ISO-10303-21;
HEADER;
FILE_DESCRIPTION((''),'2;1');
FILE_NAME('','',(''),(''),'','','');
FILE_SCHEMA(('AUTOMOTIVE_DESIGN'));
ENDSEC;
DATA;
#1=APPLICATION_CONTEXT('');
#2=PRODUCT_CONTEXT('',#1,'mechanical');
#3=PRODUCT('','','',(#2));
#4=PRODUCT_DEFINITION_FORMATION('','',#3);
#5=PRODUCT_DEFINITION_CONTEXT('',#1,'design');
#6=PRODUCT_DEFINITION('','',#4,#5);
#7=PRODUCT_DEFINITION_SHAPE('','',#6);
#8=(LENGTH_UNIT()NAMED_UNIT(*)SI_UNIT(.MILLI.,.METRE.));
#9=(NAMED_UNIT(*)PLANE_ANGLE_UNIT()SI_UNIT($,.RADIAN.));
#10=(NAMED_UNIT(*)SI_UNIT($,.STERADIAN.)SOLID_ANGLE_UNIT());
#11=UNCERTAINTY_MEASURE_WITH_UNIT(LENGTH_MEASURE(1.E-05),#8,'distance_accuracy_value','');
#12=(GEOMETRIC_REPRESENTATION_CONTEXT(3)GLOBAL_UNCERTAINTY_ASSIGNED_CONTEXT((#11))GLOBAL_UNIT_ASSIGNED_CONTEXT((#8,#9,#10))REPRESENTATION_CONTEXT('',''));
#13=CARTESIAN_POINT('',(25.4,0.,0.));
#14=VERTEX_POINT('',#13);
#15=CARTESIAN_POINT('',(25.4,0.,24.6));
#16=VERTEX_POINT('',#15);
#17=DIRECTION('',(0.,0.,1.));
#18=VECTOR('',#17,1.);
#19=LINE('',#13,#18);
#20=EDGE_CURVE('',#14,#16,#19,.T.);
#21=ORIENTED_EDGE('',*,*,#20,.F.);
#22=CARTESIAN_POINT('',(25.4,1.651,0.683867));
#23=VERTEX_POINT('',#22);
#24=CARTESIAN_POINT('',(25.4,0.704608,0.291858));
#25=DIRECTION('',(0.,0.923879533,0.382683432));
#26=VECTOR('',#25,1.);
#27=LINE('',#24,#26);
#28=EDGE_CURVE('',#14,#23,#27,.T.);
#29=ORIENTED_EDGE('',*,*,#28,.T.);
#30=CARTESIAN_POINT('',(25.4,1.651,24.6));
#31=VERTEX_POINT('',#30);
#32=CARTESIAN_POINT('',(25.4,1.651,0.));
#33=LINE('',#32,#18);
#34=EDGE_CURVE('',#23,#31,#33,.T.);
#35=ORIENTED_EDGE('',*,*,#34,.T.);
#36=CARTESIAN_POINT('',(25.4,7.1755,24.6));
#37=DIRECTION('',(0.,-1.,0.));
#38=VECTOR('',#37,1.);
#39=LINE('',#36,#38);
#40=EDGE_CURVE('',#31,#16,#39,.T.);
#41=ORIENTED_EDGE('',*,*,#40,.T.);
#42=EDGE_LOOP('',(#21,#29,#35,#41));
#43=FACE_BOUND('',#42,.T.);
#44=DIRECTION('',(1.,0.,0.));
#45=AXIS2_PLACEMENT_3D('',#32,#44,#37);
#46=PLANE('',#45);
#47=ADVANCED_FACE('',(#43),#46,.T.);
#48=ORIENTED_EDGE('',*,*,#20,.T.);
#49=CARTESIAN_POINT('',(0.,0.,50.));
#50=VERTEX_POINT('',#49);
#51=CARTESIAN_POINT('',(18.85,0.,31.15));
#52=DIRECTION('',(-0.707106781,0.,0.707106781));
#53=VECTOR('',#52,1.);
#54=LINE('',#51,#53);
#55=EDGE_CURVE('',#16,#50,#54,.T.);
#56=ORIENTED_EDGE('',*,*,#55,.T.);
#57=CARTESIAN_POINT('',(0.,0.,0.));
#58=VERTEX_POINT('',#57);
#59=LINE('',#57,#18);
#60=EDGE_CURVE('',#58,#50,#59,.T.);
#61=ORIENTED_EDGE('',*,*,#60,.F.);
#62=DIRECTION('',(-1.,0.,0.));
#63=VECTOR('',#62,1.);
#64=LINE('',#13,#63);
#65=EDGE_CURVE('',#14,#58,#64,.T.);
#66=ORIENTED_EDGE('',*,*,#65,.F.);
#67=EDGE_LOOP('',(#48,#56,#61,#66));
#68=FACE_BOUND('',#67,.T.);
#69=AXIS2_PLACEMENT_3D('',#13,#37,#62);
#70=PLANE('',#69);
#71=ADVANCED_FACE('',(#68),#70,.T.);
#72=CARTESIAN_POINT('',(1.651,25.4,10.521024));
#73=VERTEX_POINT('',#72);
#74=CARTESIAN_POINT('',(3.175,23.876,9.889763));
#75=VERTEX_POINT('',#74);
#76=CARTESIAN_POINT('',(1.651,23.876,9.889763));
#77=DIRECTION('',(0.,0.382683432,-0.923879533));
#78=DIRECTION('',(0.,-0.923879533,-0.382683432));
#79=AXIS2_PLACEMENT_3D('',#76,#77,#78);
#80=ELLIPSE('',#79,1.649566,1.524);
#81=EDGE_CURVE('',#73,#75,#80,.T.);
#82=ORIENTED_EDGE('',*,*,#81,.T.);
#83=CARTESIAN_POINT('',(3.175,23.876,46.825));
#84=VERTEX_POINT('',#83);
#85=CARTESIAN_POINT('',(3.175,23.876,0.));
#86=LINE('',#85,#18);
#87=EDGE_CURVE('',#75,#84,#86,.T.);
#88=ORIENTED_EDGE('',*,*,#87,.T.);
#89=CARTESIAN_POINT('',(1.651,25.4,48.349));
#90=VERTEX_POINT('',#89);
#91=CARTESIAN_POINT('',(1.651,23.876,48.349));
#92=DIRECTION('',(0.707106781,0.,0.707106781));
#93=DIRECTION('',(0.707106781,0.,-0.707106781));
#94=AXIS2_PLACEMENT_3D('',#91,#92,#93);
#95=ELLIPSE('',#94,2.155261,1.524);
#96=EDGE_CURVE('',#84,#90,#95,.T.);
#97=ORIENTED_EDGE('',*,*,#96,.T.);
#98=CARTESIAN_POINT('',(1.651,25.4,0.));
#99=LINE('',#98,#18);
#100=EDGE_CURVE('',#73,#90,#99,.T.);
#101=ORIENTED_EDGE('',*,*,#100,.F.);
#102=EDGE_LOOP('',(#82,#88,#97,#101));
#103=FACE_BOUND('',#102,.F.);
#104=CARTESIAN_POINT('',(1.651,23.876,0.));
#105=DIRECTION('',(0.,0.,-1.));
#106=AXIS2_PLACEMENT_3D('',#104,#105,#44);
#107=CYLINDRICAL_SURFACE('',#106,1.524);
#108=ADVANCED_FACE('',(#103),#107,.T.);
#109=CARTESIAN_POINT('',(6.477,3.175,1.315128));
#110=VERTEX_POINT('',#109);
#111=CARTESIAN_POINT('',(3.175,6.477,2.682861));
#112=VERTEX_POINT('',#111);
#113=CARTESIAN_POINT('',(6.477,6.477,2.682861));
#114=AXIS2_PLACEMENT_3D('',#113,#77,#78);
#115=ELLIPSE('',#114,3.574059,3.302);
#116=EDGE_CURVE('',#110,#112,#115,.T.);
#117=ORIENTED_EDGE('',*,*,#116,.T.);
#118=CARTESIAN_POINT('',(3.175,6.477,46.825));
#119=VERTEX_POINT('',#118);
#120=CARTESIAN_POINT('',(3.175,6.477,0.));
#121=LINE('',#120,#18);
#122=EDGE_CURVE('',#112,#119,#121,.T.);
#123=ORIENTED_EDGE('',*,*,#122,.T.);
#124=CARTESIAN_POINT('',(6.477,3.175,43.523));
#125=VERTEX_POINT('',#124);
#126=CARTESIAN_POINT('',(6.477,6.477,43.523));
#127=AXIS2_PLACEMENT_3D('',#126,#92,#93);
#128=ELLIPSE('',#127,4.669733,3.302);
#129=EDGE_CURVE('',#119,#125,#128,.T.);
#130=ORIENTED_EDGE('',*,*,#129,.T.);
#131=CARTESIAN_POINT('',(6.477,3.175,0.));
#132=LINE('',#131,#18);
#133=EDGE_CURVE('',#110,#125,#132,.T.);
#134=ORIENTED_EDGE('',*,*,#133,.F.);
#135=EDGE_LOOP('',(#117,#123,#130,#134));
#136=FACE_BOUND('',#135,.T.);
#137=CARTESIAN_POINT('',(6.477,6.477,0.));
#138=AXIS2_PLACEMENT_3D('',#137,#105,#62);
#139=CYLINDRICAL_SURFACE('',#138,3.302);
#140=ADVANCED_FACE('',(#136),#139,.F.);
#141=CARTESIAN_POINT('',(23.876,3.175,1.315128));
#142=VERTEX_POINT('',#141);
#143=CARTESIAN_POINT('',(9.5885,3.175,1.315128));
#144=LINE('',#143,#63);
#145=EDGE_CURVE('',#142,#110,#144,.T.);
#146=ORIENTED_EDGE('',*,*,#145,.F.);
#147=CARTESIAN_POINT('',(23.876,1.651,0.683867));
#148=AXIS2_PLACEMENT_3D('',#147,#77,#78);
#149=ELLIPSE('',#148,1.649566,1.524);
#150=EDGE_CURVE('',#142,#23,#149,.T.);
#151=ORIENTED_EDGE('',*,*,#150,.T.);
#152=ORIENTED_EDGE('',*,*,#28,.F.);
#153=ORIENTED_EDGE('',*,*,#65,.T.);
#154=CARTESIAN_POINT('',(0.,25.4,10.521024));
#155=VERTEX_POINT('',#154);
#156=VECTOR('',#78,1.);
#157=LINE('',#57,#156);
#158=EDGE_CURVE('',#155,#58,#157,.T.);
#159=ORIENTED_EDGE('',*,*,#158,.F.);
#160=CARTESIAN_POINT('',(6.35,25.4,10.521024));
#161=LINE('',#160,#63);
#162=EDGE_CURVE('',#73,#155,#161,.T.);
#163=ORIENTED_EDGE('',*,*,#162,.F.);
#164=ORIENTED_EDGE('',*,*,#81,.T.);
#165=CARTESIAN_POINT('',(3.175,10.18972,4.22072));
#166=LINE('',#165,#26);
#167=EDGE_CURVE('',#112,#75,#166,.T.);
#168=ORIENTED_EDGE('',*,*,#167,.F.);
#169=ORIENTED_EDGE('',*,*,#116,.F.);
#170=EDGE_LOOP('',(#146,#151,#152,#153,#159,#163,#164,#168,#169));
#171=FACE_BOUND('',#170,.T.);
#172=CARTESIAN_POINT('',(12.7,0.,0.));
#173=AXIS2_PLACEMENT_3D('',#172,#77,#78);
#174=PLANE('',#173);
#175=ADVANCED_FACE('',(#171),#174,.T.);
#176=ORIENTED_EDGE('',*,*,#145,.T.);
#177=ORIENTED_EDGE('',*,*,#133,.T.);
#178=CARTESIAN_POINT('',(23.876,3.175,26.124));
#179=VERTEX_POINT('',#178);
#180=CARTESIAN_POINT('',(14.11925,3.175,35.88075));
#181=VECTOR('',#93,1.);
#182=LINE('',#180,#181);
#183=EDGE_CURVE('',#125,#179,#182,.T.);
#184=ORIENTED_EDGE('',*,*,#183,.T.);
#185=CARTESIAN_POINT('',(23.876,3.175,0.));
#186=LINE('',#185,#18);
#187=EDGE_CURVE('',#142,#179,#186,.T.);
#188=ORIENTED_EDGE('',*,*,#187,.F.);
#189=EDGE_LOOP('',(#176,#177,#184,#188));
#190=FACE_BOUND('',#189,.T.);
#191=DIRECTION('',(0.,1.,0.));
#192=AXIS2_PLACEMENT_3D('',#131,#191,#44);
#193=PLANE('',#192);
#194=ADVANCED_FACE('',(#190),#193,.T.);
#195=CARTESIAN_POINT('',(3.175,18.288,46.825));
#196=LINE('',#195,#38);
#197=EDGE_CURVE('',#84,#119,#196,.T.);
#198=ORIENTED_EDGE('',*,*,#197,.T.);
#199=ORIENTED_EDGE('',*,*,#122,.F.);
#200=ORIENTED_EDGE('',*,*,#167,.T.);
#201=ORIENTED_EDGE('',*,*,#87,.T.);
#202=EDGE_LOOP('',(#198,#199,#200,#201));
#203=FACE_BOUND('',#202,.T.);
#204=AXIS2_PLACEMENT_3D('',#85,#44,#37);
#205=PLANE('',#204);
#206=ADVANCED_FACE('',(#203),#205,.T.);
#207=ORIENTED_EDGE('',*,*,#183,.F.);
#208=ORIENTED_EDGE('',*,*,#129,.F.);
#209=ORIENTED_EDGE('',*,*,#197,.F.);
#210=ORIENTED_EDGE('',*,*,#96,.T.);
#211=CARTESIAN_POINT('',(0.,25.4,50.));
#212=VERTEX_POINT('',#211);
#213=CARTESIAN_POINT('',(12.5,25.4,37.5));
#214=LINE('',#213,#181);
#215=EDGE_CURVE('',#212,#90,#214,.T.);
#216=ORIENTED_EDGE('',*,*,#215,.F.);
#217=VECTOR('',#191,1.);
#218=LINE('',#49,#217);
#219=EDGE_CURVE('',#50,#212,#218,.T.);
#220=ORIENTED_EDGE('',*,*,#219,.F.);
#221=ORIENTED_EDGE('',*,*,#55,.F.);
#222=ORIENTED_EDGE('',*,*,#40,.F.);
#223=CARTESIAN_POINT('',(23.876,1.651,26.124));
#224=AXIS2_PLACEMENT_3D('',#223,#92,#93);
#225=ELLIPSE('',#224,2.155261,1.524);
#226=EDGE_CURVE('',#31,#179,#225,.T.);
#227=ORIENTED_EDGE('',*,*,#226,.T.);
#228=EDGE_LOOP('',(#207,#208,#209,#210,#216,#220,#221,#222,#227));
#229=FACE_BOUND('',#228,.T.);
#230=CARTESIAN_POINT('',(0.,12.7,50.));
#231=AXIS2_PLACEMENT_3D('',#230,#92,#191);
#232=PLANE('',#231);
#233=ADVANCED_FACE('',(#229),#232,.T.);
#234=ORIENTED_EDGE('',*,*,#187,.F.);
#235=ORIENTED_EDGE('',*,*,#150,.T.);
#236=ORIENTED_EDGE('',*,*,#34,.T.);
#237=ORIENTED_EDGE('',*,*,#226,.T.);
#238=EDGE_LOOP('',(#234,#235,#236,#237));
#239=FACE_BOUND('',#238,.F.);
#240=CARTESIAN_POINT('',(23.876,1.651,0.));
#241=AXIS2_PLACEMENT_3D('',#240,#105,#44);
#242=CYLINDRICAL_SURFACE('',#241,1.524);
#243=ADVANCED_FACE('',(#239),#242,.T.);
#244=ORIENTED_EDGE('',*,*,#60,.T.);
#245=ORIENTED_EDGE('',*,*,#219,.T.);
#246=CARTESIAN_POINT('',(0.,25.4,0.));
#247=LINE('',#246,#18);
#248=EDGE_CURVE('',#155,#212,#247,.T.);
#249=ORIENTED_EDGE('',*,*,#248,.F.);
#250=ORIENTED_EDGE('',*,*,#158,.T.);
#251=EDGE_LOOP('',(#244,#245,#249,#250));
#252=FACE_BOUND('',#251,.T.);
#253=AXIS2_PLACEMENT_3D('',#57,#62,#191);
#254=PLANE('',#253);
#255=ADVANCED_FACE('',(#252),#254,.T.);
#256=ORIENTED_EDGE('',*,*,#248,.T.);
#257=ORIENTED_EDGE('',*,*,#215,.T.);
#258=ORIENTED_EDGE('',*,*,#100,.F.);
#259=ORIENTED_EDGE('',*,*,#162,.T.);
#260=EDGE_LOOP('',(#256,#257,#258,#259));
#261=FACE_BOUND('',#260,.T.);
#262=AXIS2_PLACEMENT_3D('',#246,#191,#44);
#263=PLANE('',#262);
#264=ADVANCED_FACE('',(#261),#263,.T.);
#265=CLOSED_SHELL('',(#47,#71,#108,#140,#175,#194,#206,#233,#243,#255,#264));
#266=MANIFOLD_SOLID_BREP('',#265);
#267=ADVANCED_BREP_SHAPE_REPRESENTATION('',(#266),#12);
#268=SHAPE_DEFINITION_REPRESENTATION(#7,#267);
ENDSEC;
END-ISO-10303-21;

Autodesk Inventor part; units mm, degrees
ref_plane "Start Plane" through (0, 0, 0) normal (0, 0, 1) x (1, 0, 0)
ref_plane "End Plane" through (0, 0, 50) normal (0, 0, 1) x (1, 0, 0)
sketch "Sketch" plane through (0, 0, 0) normal (0, 0, 1) x (1, 0, 0)
  line L0 (25.4, 0) -> (0, 0)
  line L1 (0, 0) -> (0, 25.4)
  line L2 (0, 25.4) -> (1.651, 25.4)
  line L3 (3.175, 23.876) -> (3.175, 6.477)
  line L4 (6.477, 3.175) -> (23.876, 3.175)
  line L5 (25.4, 1.651) -> (25.4, 0)
  line L6 (0, -11.0414) -> (0, 31.5385) construction
  line L7 (-11.0414, 0) -> (31.5385, 0) construction
  arc A0 (3.175, 6.477) -> (6.477, 3.175) centre (6.477, 6.477) ccw
  arc A1 (3.175, 23.876) -> (1.651, 25.4) centre (1.651, 23.876) ccw
  arc A2 (25.4, 1.651) -> (23.876, 3.175) centre (23.876, 1.651) ccw
  line L8 (0, 40.0545) -> (0, -19.5574) construction
  line L9 (-19.5574, 0) -> (40.0545, 0) construction
  point P0 (3.175, 25.4)
  point P1 (3.175, 3.175)
  point P2 (25.4, 3.175)
  dimension "d0" = 25.4
  dimension "d1" = 25.4
  dimension "d2" = 3.175
  dimension "d3" = 3.175
  dimension "d10" = 0
  dimension "d11" = 0
  dimension "d14" = 3.302
  dimension "d15" = 1.524
extrude "Body" add sketch "Sketch" along normal up to surface (50 mm away) from surface at 0
sketch "Sketch3" plane through (0, 0, 0) normal (0, 0, 1) x (1, 0, 0)
  line L0 (0, 0) -> (10, 0)
ref_plane "Work Plane3" through (0, 0, 0) normal (0, -1, 0) x (1, 0, 0)
ref_plane "Work Plane4" through (0, 12.7, 50) normal (0.7071, 0, 0.7071) x (0.7071, 0, -0.7071)
split "Split1" plane through (0, 12.7, 50) removes the side toward (0.7071, 0, 0.7071)
ref_plane "Work Plane5" through (12.7, 0, 0) normal (0, 0.3827, -0.9239) x (1, 0, 0)
split "Split2" plane through (12.7, 0, 0) removes the side toward (0, 0.3827, -0.9239)
sketch "Sketch4" plane through (0, 0, 0) normal (0, -1, 0) x (1, 0, 0)
  line L0 (-2, 0) -> (12, 0) projected
  line L1 (-2, 50) -> (12, 50) projected
  dimension "d17" = 50
equation "\"d0\" = G_H"
equation "\"d1\" = G_H"
equation "\"d2\" = G_T"
equation "\"d3\" = G_T"
equation "\"d14\" = G_IR"
equation "\"d15\" = G_ER"
equation "\"d4\" = G_L"
equation "\"G_H\" = 25.4"
equation "\"G_T\" = 3.175"
equation "\"G_ER\" = 1.524"
equation "\"G_IR\" = 3.302"
equation "\"G_L\" = d17"
equation "\"ex\" = 0"
equation "\"G_OFFSET_START\" = 0"
equation "\"G_OFFSET_END\" = 0"
equation "\"d13\" = G_OFFSET_END + B_L"
equation "\"B_L\" = 50"
properties part number "AISC - L 1 x 1 x 1/8 - 1.969" material "Steel, Mild"
